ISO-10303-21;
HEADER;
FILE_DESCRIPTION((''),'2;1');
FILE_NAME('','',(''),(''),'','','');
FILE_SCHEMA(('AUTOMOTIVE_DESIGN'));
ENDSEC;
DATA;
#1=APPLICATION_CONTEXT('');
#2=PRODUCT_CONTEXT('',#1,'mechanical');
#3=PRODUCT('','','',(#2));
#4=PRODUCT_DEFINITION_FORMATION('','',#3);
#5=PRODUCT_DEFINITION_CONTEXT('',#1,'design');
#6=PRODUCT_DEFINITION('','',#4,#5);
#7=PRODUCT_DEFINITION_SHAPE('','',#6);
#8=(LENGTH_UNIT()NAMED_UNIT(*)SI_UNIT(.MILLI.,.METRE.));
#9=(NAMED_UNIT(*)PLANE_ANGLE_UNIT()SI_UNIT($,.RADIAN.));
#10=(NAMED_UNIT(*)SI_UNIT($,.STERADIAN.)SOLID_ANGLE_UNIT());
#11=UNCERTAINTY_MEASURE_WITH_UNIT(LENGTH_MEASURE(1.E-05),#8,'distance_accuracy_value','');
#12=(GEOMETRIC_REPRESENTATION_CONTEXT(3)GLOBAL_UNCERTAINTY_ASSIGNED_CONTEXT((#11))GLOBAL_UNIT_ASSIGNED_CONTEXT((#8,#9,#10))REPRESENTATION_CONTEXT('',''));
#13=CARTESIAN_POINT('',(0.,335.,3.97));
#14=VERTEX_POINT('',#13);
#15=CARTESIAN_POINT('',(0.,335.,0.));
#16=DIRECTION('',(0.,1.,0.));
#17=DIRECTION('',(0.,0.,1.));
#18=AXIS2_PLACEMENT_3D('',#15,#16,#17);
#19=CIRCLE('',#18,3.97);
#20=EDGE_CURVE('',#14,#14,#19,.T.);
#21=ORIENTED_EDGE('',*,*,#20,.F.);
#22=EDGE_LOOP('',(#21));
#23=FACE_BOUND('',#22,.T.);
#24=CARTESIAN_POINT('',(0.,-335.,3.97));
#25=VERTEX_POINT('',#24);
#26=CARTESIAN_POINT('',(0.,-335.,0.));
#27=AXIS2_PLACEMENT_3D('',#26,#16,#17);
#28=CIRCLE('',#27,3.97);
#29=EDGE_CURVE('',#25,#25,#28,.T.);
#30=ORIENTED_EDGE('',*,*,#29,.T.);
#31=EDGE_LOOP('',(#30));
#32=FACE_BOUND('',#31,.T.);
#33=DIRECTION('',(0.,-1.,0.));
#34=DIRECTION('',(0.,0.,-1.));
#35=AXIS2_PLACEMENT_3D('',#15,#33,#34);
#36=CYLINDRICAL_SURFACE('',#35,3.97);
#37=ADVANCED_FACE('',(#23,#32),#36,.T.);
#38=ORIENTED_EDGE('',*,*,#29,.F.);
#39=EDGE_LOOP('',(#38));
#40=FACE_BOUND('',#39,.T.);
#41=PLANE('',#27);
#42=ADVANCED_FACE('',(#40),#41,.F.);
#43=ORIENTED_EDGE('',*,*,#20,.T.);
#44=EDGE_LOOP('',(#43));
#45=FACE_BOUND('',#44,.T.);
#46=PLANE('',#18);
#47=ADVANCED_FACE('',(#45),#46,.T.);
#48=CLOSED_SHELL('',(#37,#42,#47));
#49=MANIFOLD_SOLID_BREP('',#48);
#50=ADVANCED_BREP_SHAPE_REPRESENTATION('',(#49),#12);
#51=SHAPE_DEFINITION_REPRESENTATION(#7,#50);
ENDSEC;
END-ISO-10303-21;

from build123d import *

# Parameters (mm, degrees)
ESBO_O1_R                = 3.97
RESSALTO_EXTRUS_O1_DEPTH = 335


with BuildPart() as part:
    # Esboço1 → Ressalto-extrusão1 (new body, symmetric)
    with BuildSketch(Plane(origin=(0, 0, 0), x_dir=(1, 0, 0), z_dir=(0, 1, 0))):
        Circle(ESBO_O1_R)
    extrude(amount=RESSALTO_EXTRUS_O1_DEPTH, both=True)


solid = part.part
